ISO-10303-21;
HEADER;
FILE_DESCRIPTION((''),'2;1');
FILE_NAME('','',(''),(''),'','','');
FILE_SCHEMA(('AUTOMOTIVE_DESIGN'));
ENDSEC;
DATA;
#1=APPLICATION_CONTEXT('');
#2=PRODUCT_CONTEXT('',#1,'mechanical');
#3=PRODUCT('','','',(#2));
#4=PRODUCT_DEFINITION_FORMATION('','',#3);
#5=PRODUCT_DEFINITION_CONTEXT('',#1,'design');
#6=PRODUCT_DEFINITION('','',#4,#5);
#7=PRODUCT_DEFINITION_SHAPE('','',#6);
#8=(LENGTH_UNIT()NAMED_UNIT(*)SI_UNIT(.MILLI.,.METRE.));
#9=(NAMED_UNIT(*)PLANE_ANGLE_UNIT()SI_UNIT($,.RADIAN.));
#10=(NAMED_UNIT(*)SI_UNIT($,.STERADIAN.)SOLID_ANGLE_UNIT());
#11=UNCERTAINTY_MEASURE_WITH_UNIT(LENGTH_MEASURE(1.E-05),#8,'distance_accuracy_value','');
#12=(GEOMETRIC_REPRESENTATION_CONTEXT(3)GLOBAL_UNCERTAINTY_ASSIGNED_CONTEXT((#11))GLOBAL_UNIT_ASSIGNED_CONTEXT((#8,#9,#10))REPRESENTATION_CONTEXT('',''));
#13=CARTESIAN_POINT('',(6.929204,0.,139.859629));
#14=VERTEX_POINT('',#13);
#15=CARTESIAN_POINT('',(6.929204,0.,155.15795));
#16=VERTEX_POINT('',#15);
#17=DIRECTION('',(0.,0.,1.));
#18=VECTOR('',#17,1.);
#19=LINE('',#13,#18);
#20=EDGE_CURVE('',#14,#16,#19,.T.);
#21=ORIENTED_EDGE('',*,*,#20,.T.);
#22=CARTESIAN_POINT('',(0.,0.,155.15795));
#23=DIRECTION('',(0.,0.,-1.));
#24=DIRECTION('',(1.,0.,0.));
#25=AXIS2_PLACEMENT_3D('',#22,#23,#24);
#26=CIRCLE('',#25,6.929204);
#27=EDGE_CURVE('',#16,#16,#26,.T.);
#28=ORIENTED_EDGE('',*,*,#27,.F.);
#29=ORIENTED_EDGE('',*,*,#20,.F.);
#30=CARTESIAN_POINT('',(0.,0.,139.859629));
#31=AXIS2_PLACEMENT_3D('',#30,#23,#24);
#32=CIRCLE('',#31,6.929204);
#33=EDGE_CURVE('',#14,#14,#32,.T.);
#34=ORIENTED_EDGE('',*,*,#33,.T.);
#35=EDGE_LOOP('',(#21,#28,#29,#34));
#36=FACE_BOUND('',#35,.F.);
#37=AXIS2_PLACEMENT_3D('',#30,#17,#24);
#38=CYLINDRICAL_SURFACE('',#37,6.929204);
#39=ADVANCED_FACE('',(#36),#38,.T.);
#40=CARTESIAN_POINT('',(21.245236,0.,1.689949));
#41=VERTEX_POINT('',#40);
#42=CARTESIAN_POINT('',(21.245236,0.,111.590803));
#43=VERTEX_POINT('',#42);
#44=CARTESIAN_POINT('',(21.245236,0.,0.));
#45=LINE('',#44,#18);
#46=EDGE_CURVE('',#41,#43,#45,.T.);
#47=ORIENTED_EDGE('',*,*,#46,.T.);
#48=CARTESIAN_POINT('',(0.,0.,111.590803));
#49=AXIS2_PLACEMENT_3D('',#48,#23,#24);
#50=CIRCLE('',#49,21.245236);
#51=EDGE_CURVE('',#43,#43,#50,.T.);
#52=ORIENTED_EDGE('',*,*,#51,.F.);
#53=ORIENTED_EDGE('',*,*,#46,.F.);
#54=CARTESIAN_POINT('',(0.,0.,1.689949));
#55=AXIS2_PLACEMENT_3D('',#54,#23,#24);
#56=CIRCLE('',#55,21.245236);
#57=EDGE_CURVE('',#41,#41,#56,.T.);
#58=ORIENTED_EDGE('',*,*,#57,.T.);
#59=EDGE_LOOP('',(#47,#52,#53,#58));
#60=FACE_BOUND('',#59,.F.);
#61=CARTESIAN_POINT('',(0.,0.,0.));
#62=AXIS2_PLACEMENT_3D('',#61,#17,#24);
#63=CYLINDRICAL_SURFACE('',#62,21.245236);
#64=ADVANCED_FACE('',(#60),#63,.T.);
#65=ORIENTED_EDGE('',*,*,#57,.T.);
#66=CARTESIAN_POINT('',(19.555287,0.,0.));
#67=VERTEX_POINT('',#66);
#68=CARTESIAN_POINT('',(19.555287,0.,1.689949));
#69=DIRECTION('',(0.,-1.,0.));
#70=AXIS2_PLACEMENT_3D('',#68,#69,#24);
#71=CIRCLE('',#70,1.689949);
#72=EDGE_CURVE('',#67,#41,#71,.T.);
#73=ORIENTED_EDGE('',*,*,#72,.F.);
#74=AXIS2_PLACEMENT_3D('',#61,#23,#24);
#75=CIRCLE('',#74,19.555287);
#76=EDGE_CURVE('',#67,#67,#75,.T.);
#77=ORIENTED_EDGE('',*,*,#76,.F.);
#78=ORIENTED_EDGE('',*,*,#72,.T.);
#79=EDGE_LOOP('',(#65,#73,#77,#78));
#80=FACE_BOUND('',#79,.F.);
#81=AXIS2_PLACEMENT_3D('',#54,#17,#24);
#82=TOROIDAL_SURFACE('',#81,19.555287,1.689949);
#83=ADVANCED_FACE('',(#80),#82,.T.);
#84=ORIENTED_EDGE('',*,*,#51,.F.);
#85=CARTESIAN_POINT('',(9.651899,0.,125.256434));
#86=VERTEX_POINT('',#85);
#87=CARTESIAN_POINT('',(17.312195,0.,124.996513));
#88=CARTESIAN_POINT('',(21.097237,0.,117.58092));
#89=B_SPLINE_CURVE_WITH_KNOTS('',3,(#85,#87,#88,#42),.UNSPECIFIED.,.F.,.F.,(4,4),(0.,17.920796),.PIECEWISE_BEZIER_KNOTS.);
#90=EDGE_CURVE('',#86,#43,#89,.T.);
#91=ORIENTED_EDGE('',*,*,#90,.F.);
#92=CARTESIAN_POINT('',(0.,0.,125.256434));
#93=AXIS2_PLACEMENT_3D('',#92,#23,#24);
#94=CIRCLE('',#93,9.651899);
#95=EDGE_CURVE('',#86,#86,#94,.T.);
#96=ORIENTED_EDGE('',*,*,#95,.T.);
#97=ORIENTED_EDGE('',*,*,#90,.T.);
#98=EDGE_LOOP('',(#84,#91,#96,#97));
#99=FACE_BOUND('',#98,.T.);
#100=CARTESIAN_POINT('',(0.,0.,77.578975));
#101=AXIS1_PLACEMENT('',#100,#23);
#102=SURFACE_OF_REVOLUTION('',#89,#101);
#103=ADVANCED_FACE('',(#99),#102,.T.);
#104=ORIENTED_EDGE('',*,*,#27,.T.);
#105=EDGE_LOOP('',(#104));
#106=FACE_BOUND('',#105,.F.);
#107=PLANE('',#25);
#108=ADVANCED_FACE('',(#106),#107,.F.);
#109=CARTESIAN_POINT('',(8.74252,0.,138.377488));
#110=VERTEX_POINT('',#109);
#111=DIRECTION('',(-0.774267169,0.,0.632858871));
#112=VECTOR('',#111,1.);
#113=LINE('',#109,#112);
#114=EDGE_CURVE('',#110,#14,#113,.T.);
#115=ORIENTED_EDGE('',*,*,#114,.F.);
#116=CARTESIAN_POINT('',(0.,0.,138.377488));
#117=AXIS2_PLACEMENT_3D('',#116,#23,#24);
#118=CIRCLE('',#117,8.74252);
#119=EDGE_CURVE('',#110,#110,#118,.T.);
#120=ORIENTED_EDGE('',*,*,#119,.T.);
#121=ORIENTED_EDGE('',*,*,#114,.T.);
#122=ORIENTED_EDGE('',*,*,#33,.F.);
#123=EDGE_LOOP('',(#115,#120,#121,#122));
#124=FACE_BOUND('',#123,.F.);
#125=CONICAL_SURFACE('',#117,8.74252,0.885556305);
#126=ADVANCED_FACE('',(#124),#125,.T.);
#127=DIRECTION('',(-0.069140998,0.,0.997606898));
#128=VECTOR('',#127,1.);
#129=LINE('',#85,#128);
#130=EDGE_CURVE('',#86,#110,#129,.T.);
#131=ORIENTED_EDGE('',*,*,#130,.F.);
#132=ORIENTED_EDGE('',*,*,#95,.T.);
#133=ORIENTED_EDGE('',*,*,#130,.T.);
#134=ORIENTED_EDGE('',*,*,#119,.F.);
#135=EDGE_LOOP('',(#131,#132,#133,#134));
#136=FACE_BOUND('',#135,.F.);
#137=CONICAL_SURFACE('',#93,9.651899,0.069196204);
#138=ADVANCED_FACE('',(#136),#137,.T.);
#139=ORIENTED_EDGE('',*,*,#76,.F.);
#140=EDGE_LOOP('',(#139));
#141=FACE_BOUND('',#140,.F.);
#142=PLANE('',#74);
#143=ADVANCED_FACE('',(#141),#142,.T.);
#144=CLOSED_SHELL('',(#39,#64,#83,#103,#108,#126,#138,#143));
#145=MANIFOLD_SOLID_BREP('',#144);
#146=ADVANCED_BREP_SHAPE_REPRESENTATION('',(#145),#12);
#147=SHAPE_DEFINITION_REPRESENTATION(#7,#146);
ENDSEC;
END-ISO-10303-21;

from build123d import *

# Parameters (mm, degrees)
F2_R = 1.689949


with BuildPart() as f1:
    # F0 (on Front) → F1 (revolve)
    with BuildSketch(Plane.XZ):
        with BuildLine():
            Line((0, 155.15795), (0, 0))
            Line((0, 0), (21.245236, 0))
            Line((21.245236, 0), (21.245236, 111.590803))
            add(Edge.make_bspline(
                [(9.651899, 125.256434), (17.312195, 124.996513), (21.097237, 117.58092), (21.245236, 111.590803)],
                knots=[0, 0, 0, 0, 17.920796, 17.920796, 17.920796, 17.920796], degree=3))
            Line((9.651899, 125.256434), (8.74252, 138.377488))
            Line((8.74252, 138.377488), (6.929204, 139.859629))
            Line((6.929204, 139.859629), (6.929204, 155.15795))
            Line((6.929204, 155.15795), (0, 155.15795))
        make_face()
    revolve(axis=Axis((0, 0, 77.578975), (0, 0, -1)))

    # F2
    f2_edges = [f1.edges().sort_by_distance(p)[0] for p in [
        (-21.245236, 0, 0),
    ]]
    fillet(f2_edges, radius=F2_R)


solid = f1.part
